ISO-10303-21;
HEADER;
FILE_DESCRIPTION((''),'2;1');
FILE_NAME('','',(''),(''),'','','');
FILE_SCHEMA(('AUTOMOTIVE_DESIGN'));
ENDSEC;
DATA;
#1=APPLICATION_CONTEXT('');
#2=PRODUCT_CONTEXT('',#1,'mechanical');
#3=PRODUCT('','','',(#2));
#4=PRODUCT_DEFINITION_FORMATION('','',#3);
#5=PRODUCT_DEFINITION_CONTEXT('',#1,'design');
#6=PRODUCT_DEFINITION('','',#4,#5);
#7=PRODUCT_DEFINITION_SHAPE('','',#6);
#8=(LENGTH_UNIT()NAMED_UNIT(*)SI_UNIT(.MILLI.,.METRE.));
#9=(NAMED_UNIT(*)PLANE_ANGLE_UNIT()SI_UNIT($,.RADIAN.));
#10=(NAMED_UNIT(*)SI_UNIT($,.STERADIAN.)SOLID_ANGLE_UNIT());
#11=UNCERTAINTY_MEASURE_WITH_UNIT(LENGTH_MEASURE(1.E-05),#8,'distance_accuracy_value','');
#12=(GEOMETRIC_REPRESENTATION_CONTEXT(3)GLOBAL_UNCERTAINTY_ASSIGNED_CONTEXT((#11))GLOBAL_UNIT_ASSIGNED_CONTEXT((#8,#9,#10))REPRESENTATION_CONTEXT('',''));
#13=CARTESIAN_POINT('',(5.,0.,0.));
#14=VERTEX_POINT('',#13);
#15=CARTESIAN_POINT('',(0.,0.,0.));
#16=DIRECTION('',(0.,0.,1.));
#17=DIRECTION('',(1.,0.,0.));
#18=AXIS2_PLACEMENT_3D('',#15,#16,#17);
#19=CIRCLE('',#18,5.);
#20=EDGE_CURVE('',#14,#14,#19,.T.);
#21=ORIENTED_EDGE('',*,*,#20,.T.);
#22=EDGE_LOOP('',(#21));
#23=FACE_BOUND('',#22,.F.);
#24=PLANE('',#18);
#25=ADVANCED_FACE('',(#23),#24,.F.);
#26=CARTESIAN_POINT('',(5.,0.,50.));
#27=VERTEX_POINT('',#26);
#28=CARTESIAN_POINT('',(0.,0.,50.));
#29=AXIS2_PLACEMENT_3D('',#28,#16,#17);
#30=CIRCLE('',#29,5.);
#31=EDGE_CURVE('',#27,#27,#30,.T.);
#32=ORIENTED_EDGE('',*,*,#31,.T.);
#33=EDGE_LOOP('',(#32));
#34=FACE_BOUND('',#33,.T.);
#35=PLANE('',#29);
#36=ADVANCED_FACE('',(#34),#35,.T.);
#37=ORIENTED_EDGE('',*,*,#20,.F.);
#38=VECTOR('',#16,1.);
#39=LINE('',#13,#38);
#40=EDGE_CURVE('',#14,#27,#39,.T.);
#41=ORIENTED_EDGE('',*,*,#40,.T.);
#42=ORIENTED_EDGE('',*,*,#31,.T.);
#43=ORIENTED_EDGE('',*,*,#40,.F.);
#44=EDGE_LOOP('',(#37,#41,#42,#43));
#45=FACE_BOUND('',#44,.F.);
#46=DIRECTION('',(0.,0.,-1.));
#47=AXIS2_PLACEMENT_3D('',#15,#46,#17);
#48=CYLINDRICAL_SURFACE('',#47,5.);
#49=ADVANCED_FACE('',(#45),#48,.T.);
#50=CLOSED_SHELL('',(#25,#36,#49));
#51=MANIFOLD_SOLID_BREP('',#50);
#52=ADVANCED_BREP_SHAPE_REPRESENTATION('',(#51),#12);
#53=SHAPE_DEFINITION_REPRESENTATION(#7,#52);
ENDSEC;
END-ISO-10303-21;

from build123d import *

# Parameters (mm, degrees)
ESBO_O1_R                = 5
RESSALTO_EXTRUS_O1_DEPTH = 50


with BuildPart() as part:
    # Esboço1 → Ressalto-extrusão1 (new body)
    with BuildSketch(Plane.XY):
        Circle(ESBO_O1_R)
    extrude(amount=RESSALTO_EXTRUS_O1_DEPTH)


solid = part.part
